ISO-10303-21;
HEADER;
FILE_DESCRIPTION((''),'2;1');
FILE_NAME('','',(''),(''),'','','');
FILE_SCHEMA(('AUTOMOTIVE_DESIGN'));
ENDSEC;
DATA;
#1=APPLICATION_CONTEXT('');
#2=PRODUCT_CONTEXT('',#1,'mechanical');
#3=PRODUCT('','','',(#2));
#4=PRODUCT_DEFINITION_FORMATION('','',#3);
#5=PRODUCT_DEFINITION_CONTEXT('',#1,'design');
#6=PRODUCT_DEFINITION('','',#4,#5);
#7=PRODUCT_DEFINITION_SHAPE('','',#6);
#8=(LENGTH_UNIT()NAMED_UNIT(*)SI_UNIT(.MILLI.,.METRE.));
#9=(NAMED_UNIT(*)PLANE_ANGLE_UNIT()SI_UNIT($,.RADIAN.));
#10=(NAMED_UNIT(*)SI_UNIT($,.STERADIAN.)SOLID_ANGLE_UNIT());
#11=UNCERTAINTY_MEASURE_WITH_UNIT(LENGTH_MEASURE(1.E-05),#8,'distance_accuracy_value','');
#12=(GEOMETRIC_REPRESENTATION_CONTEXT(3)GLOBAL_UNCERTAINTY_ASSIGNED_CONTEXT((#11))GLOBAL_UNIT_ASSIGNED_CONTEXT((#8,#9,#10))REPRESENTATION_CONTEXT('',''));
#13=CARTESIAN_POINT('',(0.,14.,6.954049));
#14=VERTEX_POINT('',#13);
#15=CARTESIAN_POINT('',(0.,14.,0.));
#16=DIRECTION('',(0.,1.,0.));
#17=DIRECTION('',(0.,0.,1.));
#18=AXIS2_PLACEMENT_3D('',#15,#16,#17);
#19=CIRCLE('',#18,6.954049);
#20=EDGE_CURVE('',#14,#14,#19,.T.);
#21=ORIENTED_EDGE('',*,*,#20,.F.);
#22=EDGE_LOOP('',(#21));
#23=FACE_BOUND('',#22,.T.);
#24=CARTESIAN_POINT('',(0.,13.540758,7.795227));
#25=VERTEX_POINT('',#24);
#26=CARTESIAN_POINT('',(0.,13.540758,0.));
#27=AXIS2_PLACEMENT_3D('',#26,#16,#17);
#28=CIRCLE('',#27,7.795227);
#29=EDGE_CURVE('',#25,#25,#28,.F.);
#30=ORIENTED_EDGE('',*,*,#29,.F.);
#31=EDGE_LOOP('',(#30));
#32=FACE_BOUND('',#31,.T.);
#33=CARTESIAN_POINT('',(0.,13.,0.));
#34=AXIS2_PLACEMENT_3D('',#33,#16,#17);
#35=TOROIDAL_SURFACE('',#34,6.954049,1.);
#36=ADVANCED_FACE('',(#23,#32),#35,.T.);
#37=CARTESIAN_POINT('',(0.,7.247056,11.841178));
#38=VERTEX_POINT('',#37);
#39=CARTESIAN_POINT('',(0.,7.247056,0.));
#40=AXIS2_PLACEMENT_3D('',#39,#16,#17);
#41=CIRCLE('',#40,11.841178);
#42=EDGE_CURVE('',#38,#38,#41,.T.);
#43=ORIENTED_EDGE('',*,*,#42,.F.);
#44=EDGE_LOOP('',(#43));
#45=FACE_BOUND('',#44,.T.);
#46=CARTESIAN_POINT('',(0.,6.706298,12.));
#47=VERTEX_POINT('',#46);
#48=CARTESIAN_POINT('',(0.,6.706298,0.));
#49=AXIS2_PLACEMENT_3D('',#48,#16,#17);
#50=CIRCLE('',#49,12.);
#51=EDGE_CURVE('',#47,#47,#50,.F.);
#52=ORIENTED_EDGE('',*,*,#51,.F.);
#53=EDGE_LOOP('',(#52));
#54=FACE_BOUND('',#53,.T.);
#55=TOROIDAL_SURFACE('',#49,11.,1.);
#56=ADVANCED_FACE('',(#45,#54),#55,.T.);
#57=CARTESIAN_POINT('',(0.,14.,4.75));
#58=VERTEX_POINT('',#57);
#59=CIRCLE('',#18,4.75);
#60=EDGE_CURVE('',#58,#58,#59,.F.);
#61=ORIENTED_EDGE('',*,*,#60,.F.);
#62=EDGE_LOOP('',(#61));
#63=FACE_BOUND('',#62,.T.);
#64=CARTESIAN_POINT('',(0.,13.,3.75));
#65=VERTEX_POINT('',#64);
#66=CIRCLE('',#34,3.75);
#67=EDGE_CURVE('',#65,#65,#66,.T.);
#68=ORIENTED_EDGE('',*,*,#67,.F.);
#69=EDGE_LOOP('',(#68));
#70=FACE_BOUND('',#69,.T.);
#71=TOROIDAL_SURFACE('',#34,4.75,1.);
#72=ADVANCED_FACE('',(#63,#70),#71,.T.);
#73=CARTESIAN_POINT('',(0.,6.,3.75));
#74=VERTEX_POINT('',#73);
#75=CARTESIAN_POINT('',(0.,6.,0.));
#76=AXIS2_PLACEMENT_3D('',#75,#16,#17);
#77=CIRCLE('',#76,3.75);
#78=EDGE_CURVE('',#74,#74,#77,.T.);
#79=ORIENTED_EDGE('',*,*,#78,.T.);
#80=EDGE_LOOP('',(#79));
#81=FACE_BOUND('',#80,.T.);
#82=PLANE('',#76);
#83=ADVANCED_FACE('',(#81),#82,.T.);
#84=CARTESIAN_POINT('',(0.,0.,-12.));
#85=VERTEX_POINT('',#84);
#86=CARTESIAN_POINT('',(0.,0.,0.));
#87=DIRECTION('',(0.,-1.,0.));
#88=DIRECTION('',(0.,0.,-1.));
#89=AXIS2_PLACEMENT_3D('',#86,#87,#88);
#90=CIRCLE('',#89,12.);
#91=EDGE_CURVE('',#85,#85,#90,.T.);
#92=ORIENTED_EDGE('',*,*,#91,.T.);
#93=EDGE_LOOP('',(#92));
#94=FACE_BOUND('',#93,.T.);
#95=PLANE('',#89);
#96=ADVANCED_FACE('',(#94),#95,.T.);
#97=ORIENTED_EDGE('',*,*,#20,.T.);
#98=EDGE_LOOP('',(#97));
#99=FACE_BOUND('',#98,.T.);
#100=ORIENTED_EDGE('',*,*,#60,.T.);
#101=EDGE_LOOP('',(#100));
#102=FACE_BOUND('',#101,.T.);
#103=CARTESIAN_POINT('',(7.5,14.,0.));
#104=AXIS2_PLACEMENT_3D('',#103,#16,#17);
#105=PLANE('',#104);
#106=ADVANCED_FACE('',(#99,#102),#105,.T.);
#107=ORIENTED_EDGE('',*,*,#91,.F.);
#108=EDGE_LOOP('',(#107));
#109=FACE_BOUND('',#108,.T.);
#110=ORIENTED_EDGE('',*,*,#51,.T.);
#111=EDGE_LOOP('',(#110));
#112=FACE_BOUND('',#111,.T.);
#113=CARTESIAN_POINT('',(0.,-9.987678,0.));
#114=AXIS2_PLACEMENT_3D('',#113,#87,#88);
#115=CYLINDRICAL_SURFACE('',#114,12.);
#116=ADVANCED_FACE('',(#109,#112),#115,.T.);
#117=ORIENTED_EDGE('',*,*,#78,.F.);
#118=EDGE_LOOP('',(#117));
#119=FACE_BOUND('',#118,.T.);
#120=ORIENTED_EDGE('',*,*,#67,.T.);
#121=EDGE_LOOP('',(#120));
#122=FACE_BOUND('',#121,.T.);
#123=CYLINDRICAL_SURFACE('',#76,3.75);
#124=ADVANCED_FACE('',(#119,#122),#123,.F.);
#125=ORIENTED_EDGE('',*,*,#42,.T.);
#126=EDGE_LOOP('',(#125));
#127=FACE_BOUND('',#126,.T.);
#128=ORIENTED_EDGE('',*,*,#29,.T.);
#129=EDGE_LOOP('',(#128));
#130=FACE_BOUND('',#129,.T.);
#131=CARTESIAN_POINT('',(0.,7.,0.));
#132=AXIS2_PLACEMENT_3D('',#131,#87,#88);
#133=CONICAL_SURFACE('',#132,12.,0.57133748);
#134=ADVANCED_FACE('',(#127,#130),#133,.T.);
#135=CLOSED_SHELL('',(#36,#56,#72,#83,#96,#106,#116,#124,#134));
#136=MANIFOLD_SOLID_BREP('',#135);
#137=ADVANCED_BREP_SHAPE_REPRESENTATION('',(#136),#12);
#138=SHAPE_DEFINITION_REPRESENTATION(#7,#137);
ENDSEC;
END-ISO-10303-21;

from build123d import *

# Parameters (mm, degrees)
SCHIZZO2_R               = 3.75
TAGLIO_ESTRUSIONE1_DEPTH = 8
FILLET1_R                = 1


with BuildPart() as part:
    # Schizzo1 → Rivoluzione1 (revolve)
    with BuildSketch(Plane.XY):
        Polygon((0, 0), (12, 0), (12, 7), (7.5, 14), (0, 14), align=None)
    revolve(axis=Axis((0, -9.987677887, 0), (0, 1, 0)))

    # Schizzo2 → Taglio-Estrusione1 (cut)
    with BuildSketch(Plane(origin=(0, 14, 0), x_dir=(1, 0, 0), z_dir=(0, 1, 0))):
        Circle(SCHIZZO2_R)
    extrude(amount=-TAGLIO_ESTRUSIONE1_DEPTH, mode=Mode.SUBTRACT)

    # Fillet1
    fillet1_edges = [part.edges().sort_by_distance(p)[0] for p in [
        (-3.75, 14, 0),
        (-7.5, 14, 0),
        (-12, 7, 0),
    ]]
    fillet(fillet1_edges, radius=FILLET1_R)


solid = part.part
